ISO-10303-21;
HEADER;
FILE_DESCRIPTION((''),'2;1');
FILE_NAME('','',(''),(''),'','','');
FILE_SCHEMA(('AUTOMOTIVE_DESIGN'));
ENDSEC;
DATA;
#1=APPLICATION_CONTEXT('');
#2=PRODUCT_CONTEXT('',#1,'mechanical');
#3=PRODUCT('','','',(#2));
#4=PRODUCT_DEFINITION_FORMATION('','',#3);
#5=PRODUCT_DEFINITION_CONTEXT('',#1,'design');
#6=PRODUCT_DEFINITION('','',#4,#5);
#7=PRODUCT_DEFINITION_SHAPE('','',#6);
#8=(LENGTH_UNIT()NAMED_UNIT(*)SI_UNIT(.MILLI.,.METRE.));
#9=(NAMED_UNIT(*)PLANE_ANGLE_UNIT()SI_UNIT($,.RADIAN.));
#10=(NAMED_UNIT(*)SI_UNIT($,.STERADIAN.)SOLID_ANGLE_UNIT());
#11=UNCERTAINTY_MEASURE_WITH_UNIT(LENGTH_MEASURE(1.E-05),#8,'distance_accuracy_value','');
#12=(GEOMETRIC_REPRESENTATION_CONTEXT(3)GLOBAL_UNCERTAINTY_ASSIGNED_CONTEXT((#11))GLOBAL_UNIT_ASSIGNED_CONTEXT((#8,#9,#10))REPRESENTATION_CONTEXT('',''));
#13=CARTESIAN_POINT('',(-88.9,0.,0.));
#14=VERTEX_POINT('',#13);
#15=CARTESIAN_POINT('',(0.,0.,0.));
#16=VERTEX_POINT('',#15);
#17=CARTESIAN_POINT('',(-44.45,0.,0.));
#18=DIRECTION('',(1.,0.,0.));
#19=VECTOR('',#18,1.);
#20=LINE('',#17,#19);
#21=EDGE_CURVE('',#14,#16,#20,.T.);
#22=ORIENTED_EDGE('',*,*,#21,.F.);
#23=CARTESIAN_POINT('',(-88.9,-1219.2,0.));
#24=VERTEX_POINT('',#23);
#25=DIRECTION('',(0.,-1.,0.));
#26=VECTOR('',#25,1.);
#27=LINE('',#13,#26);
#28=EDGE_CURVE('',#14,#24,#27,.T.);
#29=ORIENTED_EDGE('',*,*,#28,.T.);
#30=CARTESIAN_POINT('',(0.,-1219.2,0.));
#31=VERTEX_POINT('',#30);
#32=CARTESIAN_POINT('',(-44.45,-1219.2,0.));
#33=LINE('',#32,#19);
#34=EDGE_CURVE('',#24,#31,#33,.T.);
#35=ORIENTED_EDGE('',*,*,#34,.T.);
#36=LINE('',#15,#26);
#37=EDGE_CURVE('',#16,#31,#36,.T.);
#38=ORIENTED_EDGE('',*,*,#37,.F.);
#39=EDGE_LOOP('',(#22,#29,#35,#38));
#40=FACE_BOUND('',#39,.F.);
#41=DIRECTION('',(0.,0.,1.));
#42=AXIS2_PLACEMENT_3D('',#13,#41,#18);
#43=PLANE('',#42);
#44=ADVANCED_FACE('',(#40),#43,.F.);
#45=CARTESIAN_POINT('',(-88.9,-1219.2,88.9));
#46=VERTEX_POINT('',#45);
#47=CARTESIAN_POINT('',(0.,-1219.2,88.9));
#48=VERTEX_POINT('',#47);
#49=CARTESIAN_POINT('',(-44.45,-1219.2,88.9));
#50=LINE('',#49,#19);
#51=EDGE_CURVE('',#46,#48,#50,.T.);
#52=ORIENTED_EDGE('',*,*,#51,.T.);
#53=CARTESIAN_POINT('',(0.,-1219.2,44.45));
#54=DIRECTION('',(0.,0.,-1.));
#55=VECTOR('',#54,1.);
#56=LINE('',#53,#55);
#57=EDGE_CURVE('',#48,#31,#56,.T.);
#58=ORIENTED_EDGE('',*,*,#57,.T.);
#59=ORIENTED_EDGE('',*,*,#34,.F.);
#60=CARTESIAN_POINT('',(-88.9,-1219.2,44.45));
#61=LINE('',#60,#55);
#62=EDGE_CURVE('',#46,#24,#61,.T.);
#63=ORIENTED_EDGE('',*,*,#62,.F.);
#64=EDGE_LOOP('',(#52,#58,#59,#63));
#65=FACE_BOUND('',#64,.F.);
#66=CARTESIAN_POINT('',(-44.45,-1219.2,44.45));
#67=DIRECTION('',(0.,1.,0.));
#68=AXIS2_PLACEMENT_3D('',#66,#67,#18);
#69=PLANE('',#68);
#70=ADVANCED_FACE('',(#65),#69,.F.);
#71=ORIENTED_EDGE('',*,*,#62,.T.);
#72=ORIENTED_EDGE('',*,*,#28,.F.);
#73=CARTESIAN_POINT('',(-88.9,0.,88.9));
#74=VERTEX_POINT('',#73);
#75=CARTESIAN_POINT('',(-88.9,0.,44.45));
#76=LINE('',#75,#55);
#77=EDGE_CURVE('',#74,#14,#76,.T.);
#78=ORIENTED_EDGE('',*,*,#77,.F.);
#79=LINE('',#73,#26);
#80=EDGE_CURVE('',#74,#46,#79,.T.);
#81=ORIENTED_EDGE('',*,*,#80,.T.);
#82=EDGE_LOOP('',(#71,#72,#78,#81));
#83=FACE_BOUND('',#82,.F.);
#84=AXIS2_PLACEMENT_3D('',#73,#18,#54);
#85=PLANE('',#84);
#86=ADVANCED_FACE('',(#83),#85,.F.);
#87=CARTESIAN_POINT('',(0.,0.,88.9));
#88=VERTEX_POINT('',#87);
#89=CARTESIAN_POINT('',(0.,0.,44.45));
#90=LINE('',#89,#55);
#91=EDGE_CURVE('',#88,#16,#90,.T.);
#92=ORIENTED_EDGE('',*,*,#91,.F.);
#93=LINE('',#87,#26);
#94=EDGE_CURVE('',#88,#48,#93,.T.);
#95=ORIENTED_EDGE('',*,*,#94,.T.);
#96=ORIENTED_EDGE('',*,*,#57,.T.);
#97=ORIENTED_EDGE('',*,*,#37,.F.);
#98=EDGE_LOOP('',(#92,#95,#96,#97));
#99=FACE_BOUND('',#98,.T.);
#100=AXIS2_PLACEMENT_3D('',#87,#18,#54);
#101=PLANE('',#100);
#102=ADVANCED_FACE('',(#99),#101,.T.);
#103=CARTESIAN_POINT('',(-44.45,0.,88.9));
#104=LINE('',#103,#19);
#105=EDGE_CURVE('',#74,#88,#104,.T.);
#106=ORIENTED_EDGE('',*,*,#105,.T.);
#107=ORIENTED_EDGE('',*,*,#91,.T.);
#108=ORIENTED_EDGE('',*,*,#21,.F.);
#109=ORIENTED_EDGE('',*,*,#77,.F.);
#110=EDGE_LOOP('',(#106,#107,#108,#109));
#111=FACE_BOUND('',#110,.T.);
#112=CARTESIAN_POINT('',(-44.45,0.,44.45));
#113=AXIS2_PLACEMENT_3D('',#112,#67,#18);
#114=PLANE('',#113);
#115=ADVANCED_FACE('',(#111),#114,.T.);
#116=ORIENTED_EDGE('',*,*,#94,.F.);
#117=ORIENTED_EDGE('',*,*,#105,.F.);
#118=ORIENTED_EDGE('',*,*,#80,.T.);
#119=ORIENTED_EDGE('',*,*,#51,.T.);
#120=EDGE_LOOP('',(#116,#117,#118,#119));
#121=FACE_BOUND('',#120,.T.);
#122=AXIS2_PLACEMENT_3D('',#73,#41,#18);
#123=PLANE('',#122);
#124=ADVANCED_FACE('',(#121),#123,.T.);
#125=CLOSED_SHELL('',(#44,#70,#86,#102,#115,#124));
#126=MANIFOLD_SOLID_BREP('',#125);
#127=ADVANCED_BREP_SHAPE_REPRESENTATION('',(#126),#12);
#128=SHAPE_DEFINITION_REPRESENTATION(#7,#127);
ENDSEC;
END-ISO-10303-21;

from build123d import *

# Parameters (mm, degrees)
SKETCH2_W           = 88.9
SKETCH2_H           = 88.9
BOSS_EXTRUDE1_DEPTH = 1219.2


with BuildPart() as part:
    # Sketch2 → Boss-Extrude1 (new body)
    with BuildSketch(Plane(origin=(0, 0, 0), x_dir=(1, 0, 0), z_dir=(0, 1, 0))):
        with Locations((-44.45, -44.45)):
            Rectangle(SKETCH2_W, SKETCH2_H)
    extrude(amount=-BOSS_EXTRUDE1_DEPTH)


solid = part.part
